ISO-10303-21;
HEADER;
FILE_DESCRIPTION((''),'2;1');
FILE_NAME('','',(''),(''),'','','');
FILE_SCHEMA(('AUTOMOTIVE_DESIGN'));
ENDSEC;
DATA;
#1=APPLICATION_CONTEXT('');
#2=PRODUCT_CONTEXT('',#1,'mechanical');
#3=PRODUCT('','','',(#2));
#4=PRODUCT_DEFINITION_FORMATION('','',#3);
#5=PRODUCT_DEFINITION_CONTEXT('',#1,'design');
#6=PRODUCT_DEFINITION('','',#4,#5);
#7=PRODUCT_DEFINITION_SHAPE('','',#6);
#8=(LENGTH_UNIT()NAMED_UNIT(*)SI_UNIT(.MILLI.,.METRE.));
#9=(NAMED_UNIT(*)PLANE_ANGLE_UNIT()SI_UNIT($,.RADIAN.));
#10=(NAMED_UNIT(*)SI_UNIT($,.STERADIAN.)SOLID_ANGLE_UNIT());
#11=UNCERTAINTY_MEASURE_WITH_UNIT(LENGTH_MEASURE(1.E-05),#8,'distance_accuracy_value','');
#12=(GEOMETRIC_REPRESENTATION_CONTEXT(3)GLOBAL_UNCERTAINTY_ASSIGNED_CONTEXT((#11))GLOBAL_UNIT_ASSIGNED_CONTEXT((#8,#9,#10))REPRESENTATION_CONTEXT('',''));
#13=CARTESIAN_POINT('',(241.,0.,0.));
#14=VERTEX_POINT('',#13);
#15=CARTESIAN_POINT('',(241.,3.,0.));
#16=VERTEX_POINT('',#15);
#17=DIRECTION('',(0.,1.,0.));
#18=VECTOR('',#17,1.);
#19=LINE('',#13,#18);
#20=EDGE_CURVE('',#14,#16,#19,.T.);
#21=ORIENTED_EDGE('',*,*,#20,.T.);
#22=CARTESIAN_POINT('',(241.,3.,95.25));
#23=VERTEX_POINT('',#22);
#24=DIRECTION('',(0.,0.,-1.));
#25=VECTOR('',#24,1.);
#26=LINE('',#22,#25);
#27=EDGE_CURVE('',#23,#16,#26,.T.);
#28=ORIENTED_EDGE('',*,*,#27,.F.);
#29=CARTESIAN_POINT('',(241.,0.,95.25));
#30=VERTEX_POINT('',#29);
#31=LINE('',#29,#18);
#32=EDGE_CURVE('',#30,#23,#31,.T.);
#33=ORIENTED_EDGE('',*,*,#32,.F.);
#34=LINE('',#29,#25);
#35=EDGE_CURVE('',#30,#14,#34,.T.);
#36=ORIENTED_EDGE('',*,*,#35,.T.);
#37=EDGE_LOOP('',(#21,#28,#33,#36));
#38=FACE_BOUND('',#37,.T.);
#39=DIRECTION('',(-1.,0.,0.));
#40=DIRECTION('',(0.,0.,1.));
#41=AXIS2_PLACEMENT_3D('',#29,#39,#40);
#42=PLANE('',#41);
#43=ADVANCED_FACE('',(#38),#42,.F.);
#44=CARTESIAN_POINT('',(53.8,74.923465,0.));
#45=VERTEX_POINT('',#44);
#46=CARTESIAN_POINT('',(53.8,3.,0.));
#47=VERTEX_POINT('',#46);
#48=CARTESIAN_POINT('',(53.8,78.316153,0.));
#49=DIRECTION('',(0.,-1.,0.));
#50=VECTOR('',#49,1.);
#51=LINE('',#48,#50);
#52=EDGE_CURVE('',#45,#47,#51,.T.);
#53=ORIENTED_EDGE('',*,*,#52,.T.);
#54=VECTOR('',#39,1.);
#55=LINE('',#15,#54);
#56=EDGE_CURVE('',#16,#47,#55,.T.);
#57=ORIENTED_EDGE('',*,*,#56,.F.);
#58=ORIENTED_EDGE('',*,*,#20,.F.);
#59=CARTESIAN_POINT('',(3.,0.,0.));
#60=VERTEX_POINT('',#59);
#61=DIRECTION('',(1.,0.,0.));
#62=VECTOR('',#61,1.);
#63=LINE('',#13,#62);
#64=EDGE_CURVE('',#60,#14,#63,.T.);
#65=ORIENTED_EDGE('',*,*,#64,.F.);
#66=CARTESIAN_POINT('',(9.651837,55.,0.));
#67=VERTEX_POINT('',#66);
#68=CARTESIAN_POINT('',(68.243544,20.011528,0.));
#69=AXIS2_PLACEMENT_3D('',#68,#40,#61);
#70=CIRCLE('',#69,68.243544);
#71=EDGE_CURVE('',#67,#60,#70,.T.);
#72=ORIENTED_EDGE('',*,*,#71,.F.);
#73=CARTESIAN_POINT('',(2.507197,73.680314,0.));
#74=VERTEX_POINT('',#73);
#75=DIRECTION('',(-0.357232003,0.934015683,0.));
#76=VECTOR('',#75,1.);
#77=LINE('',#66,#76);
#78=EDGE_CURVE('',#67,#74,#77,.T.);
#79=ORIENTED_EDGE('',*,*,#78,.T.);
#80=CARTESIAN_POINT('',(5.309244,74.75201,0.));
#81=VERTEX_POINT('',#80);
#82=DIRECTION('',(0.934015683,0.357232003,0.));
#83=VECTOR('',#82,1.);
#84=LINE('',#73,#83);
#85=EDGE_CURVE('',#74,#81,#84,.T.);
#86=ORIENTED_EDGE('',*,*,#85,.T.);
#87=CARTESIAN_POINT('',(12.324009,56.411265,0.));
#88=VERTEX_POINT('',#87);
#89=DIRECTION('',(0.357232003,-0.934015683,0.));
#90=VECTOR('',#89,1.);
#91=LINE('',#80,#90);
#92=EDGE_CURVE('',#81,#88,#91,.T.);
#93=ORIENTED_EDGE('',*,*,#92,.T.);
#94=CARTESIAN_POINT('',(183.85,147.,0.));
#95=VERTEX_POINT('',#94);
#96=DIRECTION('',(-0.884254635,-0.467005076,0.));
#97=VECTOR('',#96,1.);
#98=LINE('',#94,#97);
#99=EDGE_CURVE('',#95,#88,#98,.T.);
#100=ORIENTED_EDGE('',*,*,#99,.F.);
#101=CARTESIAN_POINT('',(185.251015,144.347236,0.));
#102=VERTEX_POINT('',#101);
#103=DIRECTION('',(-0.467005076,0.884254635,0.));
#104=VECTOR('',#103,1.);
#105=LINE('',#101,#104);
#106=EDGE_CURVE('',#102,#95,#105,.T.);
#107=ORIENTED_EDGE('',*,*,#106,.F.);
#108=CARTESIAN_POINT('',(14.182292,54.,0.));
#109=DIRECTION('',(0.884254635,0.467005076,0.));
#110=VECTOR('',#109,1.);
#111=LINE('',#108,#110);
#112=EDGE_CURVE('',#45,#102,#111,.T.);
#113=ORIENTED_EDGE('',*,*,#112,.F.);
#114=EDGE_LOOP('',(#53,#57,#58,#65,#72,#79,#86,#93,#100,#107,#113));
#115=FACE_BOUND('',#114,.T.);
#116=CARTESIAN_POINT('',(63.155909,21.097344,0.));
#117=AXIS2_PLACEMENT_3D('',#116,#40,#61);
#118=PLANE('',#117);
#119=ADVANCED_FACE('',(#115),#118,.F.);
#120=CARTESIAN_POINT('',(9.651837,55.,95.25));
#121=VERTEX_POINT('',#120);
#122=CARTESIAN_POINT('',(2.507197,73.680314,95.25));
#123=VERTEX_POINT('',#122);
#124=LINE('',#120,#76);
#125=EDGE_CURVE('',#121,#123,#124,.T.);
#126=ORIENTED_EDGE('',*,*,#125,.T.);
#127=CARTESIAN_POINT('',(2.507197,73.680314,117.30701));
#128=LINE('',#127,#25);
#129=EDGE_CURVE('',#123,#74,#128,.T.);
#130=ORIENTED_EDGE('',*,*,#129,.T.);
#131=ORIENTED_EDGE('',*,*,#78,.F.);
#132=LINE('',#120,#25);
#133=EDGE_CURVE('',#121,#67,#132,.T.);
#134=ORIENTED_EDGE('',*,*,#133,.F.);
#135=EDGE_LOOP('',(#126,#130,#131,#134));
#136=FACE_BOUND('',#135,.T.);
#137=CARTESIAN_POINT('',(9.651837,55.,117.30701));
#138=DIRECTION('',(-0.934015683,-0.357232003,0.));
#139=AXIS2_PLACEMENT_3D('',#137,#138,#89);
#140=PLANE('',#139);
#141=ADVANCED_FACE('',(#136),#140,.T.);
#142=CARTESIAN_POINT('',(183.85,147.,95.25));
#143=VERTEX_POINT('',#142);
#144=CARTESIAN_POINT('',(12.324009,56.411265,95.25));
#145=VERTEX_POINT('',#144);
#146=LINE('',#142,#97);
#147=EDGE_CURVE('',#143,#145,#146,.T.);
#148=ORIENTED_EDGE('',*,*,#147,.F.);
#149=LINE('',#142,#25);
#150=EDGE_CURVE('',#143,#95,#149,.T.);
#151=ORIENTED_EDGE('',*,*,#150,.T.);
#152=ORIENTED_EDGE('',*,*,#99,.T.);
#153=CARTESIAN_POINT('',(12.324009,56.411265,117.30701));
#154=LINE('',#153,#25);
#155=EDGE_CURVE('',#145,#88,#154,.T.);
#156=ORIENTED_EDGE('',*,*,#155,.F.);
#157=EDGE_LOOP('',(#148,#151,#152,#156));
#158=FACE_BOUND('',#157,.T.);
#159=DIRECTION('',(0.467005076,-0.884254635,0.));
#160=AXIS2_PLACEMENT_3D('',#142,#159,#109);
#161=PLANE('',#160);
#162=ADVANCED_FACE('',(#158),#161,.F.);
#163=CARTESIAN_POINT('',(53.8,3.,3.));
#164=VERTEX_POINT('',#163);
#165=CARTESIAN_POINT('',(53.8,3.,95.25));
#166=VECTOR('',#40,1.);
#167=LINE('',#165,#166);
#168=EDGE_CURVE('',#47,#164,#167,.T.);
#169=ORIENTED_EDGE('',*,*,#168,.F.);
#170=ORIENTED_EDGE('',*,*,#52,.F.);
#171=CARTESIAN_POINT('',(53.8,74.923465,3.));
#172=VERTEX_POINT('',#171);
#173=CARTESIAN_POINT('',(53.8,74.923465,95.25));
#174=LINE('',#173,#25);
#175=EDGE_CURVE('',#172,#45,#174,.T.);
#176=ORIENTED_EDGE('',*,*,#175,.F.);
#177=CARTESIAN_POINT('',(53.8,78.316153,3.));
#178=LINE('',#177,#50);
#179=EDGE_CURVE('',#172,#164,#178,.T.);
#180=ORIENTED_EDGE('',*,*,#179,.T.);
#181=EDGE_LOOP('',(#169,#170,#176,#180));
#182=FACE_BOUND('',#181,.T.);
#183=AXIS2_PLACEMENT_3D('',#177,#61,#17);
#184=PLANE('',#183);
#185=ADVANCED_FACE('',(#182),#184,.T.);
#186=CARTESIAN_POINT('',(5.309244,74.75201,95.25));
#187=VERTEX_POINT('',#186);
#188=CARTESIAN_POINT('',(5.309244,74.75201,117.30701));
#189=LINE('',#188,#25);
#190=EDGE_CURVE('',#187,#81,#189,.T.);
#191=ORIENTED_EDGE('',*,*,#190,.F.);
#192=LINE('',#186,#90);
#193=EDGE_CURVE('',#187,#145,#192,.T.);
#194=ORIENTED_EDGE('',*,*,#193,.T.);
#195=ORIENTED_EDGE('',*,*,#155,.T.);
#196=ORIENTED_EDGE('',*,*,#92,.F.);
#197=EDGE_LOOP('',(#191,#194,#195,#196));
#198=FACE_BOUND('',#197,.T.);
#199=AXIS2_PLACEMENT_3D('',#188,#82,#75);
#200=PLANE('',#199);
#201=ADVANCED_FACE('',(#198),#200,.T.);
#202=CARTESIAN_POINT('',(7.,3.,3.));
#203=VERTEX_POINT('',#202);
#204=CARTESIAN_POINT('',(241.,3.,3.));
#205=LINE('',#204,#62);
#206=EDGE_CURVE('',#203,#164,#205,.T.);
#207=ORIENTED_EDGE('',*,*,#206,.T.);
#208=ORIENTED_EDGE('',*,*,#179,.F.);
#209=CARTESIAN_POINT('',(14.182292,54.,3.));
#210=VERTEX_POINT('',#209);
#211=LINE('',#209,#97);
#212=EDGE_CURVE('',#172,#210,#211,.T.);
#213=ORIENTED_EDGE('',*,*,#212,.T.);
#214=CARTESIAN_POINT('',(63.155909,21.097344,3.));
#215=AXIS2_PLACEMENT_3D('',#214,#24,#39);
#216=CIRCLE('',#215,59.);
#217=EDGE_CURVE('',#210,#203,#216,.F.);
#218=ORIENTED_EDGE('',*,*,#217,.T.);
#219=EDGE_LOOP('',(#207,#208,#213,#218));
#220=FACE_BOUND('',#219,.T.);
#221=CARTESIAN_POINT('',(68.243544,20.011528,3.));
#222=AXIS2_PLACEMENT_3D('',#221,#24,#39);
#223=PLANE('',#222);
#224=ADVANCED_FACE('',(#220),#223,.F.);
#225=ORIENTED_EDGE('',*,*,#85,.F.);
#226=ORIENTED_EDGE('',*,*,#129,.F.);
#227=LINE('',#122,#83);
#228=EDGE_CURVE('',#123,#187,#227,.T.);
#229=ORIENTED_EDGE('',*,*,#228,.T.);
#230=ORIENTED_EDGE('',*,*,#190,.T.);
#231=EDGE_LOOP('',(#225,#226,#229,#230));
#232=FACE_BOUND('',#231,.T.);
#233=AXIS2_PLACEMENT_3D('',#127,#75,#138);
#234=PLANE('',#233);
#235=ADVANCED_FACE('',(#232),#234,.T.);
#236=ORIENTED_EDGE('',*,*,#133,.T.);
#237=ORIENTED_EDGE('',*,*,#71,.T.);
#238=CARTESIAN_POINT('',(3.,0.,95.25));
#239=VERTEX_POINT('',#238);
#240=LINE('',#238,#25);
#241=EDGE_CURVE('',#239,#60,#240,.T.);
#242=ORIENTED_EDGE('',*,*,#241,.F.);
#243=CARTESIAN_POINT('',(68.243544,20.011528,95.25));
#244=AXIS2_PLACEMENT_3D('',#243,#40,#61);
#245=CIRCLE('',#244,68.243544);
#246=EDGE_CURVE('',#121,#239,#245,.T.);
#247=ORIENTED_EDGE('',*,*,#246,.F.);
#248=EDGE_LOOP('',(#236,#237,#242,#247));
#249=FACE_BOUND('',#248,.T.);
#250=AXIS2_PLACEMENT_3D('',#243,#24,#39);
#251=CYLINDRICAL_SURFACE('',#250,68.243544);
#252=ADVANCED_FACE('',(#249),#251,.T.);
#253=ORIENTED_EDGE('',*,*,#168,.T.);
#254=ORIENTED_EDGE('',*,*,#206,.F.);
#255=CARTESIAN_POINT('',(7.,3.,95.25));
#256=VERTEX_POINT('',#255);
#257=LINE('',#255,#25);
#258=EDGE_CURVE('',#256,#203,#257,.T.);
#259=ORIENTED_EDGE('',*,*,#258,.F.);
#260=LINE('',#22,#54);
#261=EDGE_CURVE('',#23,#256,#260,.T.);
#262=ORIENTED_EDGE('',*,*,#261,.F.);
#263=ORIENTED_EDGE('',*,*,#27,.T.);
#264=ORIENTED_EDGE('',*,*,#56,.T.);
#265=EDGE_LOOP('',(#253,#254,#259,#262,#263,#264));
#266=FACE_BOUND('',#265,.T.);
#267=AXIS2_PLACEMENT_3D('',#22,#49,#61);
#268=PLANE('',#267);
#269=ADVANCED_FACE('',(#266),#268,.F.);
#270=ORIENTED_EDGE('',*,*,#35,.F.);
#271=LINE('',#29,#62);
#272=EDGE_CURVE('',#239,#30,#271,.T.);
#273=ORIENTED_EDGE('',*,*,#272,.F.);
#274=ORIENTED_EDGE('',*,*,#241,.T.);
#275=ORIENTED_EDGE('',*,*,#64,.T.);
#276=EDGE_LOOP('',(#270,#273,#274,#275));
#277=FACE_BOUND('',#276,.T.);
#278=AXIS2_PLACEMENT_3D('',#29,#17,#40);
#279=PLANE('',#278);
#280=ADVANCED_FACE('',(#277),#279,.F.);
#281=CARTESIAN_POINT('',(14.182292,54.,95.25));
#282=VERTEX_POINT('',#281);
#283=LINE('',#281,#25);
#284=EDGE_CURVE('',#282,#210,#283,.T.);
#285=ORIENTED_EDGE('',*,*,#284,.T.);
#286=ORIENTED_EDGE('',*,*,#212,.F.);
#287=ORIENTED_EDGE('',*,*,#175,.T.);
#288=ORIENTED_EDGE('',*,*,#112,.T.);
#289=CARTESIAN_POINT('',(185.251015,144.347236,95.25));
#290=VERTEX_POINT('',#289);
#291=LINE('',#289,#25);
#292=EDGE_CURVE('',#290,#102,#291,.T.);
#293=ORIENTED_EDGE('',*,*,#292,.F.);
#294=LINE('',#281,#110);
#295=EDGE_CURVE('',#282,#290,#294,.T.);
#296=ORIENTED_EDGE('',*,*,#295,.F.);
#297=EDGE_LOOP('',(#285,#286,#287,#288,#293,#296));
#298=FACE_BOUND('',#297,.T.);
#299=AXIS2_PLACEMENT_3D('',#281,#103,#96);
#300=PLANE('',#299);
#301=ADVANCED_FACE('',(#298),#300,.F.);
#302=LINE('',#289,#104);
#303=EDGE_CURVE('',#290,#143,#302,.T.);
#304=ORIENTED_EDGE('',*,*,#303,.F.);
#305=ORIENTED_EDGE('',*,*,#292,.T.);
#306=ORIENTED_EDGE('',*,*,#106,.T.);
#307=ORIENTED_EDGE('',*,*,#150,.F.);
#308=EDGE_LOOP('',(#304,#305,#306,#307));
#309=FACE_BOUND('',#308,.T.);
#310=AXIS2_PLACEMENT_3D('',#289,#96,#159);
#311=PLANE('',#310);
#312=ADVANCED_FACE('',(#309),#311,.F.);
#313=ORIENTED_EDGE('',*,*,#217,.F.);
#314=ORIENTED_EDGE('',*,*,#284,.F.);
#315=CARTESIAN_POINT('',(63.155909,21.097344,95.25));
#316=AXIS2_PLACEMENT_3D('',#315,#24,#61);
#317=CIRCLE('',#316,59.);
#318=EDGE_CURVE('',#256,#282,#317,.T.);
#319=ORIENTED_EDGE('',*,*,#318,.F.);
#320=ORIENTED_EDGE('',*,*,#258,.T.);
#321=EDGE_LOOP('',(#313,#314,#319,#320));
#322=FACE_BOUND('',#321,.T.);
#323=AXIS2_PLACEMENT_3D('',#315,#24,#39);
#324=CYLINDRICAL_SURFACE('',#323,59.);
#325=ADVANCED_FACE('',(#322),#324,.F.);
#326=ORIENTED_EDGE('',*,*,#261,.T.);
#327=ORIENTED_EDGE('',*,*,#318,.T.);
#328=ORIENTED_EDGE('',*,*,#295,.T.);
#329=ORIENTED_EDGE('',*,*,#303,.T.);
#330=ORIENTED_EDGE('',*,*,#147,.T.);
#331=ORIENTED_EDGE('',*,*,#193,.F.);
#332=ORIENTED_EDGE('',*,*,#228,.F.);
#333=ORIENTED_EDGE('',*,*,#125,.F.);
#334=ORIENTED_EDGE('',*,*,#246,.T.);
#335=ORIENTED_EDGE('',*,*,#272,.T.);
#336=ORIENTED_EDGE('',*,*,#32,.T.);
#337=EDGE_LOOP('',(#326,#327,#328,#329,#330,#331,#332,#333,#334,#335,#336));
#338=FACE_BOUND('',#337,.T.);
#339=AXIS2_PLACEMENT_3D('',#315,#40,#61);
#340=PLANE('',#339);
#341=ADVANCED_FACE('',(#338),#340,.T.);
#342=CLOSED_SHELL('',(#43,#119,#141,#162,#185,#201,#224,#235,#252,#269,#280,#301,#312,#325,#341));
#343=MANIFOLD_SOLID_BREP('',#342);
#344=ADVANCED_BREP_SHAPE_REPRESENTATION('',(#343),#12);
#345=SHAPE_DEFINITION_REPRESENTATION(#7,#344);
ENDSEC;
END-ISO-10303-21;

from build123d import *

# Parameters (mm, degrees)
BOSS_EXTRUDE1_DEPTH = 95.25
BOSS_EXTRUDE2_DEPTH = 3
BOSS_EXTRUDE3_DEPTH = 95.25


with BuildPart() as part:
    # Sketch1 → Boss-Extrude1 (new body)
    with BuildSketch(Plane.XY):
        with BuildLine():
            Line((241, 0), (3, 0))
            ThreePointArc((3, 0), (0.493692681, 28.205363915), (9.651836979, 55))
            Line((9.651836979, 55), (183.85, 147))
            Line((183.85, 147), (185.251015228, 144.347236096))
            Line((185.251015228, 144.347236096), (14.182291728, 54))
            ThreePointArc((14.182291728, 54), (4.732417832, 29.325080272), (7, 3))
            Line((7, 3), (241, 3))
            Line((241, 3), (241, 0))
        make_face()
    extrude(amount=BOSS_EXTRUDE1_DEPTH)

    # Sketch2 → Boss-Extrude2 (add)
    with BuildSketch(Plane(origin=(0, 0, 0), x_dir=(-1, 0, 0), z_dir=(0, 0, -1))):
        with BuildLine():
            Line((-53.8, 78.316152866), (-53.8, 0))
            Line((-53.8, 0), (-3, 0))
            ThreePointArc((-3, 0), (-0.493692681, 28.205363915), (-9.651836979, 55))
            Line((-9.651836979, 55), (-53.8, 78.316152866))
        make_face()
    extrude(amount=-BOSS_EXTRUDE2_DEPTH)

    # Sketch3 → Boss-Extrude3 (add)
    with BuildSketch(Plane(origin=(0, 0, 0), x_dir=(-1, 0, 0), z_dir=(0, 0, -1))):
        Polygon((-9.651836979, 55), (-2.507196918, 73.680313659), (-5.309243966, 74.752009668), (-12.324009257, 56.411265454), align=None)
    extrude(amount=-BOSS_EXTRUDE3_DEPTH)


solid = part.part
